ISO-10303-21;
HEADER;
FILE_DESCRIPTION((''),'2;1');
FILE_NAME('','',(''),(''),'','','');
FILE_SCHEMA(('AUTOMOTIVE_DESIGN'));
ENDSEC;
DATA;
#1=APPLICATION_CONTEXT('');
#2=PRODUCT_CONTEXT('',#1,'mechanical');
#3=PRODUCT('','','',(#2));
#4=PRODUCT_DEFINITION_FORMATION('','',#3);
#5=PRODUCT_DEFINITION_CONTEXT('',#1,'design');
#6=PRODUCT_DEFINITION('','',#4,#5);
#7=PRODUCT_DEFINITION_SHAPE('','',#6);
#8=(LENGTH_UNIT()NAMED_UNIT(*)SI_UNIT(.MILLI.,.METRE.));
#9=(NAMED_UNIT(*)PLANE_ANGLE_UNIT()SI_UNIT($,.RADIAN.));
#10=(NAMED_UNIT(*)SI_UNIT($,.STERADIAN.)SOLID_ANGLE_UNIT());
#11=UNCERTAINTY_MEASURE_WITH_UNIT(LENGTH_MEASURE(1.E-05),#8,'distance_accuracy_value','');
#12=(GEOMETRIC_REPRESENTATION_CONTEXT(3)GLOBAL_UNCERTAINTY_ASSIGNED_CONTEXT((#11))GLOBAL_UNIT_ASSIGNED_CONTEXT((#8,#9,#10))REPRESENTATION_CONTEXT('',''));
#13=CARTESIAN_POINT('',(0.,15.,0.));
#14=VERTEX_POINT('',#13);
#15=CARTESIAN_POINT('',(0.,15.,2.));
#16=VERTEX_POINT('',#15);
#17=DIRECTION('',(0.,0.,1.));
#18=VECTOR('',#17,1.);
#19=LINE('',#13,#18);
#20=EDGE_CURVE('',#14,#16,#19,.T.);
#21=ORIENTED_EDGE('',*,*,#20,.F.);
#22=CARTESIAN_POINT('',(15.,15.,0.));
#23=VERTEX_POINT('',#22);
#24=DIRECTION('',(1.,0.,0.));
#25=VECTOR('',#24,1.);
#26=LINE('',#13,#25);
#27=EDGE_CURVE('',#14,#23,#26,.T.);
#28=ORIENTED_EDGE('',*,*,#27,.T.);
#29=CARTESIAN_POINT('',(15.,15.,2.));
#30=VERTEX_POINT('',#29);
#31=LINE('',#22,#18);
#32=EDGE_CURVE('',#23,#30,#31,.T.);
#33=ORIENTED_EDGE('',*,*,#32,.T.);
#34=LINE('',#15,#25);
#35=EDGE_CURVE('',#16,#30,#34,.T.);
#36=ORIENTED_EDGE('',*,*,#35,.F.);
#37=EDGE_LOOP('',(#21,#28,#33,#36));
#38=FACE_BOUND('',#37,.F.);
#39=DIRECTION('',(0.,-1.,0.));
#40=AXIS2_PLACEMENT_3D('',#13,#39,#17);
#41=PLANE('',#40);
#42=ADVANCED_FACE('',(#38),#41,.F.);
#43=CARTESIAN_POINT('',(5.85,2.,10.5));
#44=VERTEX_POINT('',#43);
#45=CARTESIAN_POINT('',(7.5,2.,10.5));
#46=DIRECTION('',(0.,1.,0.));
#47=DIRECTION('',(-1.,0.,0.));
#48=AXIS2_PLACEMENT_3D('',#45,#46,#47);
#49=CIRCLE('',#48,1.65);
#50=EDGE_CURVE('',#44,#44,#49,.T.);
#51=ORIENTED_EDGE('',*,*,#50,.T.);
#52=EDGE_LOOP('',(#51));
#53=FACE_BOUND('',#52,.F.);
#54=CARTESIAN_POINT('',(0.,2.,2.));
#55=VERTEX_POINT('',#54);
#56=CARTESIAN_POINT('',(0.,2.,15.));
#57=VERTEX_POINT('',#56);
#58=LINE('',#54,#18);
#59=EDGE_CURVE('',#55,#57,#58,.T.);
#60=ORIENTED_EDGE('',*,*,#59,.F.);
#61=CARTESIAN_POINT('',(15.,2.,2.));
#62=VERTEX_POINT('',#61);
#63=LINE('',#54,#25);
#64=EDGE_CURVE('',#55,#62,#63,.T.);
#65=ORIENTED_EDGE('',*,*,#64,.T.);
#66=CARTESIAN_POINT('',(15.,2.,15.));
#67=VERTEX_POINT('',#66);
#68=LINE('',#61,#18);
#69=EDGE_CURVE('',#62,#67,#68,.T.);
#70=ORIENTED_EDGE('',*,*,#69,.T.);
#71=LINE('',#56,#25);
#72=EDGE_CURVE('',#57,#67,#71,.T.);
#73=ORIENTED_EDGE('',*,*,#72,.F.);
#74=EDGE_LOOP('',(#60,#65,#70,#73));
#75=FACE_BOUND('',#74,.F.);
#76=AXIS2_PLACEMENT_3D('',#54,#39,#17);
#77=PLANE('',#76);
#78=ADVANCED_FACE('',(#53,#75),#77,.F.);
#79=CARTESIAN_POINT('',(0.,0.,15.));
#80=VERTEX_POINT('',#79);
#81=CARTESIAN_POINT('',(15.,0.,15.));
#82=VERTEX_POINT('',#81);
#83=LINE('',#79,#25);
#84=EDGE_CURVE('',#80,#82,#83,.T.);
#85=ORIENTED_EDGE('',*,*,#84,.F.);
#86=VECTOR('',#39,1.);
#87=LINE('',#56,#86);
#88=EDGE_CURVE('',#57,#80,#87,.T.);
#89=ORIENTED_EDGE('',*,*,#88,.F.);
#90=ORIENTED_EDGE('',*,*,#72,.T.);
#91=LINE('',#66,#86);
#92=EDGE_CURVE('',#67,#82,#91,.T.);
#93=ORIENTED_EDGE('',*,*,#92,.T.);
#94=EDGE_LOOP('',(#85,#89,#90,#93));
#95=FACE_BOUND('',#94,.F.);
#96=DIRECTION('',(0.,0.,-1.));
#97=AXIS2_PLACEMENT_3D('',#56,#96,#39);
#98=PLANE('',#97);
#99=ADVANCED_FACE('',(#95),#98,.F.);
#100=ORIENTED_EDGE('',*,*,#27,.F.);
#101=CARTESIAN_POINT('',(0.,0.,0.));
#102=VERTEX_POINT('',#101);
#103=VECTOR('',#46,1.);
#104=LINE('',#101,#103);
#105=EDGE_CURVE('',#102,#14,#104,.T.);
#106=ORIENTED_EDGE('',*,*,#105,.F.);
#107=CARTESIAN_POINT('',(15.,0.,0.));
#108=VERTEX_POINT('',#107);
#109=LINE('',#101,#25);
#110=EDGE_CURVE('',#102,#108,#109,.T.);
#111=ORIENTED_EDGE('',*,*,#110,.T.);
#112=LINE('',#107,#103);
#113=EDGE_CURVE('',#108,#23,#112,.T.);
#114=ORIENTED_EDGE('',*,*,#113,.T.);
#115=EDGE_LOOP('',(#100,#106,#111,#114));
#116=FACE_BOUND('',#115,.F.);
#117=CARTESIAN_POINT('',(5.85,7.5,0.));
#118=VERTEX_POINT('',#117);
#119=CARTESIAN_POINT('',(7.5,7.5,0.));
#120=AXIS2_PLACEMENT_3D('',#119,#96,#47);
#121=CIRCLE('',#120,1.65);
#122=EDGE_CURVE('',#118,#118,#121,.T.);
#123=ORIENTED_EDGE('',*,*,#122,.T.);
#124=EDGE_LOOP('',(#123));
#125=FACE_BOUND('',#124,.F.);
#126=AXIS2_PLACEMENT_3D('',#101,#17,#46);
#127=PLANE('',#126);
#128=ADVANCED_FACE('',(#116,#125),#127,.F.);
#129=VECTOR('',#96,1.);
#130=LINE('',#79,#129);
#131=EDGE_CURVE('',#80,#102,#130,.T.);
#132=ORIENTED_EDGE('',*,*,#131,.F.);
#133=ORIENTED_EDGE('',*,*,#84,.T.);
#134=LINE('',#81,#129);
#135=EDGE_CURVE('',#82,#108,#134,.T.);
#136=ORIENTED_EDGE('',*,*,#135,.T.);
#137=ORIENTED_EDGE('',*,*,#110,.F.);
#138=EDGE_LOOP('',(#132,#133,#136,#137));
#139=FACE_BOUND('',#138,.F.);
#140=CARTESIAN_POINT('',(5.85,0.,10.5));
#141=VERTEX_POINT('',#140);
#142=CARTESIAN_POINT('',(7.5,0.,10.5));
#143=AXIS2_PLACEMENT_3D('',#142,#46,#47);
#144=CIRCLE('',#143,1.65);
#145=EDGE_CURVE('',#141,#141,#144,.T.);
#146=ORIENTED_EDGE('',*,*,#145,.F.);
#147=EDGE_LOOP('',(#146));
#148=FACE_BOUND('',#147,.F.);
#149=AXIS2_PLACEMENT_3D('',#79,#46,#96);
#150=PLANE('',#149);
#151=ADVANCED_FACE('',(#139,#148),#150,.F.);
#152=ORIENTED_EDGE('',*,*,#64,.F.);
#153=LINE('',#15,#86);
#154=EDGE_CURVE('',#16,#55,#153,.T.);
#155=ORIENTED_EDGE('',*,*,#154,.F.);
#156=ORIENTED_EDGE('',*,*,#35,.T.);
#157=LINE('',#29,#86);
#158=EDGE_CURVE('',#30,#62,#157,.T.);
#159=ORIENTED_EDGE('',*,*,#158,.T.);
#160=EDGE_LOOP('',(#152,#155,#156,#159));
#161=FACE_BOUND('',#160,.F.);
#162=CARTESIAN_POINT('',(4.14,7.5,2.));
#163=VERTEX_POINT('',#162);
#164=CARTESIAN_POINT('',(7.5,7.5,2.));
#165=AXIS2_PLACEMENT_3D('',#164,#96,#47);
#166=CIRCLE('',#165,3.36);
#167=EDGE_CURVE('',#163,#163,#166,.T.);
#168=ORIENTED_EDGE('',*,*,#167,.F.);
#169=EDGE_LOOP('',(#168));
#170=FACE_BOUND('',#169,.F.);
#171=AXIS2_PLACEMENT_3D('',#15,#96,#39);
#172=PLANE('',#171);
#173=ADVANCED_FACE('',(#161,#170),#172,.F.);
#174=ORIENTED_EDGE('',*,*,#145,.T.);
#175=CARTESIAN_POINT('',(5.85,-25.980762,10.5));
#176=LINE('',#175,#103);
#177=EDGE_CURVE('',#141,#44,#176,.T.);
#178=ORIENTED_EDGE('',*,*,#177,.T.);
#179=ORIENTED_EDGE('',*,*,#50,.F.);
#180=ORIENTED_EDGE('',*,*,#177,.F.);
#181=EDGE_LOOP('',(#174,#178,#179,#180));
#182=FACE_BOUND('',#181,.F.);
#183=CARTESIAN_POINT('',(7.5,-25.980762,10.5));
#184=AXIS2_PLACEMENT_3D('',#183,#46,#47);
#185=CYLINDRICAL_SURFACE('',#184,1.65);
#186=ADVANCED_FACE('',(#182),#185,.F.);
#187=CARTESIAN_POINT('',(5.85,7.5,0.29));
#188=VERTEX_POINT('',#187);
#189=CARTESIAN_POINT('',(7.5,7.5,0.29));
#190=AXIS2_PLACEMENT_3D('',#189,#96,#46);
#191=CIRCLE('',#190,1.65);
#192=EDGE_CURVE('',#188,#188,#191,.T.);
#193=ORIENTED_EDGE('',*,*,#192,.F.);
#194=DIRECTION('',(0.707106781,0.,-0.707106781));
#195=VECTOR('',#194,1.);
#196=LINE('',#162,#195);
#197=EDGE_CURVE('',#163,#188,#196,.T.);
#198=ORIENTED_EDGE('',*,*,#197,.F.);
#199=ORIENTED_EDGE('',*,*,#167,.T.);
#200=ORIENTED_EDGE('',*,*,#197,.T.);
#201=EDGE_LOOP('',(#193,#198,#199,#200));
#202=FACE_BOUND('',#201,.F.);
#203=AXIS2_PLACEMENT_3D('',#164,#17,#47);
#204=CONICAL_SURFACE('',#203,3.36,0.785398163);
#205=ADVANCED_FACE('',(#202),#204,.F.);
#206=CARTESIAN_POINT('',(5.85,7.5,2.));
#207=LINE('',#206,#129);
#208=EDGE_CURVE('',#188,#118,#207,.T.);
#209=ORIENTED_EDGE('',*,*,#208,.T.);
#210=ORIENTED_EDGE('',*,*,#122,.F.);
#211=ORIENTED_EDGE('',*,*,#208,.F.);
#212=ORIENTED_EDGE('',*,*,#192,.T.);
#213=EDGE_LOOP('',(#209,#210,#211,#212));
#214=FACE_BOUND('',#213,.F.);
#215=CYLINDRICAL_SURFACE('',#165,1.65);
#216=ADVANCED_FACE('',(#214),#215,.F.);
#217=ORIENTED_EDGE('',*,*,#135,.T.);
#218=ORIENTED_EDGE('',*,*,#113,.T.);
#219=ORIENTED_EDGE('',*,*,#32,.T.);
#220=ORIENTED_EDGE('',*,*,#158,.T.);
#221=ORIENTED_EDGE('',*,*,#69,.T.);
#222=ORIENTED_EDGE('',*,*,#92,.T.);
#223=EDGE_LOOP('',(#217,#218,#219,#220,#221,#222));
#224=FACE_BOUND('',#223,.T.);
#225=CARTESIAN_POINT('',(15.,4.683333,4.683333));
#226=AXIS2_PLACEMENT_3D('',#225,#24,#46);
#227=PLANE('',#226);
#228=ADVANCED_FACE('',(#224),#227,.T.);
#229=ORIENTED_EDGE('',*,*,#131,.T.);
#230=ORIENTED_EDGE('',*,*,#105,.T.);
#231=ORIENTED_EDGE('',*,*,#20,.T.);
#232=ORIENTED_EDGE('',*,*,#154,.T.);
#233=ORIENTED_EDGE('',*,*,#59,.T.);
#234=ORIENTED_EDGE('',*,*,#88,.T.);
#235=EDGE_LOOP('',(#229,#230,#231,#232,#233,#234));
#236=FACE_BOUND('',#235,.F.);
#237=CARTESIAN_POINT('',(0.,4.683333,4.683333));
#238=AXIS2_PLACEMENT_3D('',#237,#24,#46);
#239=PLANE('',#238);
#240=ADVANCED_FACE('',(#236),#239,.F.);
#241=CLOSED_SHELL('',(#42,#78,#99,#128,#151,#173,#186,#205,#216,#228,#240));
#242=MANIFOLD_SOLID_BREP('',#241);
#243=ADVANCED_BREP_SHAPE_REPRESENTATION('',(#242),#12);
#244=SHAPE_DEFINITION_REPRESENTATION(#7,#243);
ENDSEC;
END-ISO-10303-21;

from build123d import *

# Parameters (mm, degrees)
F1_DEPTH       = 15
F3_D           = 3.3
F5_D           = 3.3
F5_CSINK_D     = 6.72
F5_CSINK_ANGLE = 90


with BuildPart() as f1:
    # F0 (on Right) → F1 (new body)
    with BuildSketch(Plane.YZ):
        Polygon((0, 15), (0, 0), (15, 0), (15, 2), (2, 2), (2, 15), align=None)
    extrude(amount=F1_DEPTH)

    # F3 (through all)
    with Locations(Plane.XZ):
        with Locations((7.5, 10.5)):
            Hole(F3_D / 2)

    # F5 (through all)
    with Locations(Plane.XY.offset(2)):
        with Locations((7.5, 7.5)):
            CounterSinkHole(F5_D / 2, F5_CSINK_D / 2, counter_sink_angle=F5_CSINK_ANGLE)


solid = f1.part
